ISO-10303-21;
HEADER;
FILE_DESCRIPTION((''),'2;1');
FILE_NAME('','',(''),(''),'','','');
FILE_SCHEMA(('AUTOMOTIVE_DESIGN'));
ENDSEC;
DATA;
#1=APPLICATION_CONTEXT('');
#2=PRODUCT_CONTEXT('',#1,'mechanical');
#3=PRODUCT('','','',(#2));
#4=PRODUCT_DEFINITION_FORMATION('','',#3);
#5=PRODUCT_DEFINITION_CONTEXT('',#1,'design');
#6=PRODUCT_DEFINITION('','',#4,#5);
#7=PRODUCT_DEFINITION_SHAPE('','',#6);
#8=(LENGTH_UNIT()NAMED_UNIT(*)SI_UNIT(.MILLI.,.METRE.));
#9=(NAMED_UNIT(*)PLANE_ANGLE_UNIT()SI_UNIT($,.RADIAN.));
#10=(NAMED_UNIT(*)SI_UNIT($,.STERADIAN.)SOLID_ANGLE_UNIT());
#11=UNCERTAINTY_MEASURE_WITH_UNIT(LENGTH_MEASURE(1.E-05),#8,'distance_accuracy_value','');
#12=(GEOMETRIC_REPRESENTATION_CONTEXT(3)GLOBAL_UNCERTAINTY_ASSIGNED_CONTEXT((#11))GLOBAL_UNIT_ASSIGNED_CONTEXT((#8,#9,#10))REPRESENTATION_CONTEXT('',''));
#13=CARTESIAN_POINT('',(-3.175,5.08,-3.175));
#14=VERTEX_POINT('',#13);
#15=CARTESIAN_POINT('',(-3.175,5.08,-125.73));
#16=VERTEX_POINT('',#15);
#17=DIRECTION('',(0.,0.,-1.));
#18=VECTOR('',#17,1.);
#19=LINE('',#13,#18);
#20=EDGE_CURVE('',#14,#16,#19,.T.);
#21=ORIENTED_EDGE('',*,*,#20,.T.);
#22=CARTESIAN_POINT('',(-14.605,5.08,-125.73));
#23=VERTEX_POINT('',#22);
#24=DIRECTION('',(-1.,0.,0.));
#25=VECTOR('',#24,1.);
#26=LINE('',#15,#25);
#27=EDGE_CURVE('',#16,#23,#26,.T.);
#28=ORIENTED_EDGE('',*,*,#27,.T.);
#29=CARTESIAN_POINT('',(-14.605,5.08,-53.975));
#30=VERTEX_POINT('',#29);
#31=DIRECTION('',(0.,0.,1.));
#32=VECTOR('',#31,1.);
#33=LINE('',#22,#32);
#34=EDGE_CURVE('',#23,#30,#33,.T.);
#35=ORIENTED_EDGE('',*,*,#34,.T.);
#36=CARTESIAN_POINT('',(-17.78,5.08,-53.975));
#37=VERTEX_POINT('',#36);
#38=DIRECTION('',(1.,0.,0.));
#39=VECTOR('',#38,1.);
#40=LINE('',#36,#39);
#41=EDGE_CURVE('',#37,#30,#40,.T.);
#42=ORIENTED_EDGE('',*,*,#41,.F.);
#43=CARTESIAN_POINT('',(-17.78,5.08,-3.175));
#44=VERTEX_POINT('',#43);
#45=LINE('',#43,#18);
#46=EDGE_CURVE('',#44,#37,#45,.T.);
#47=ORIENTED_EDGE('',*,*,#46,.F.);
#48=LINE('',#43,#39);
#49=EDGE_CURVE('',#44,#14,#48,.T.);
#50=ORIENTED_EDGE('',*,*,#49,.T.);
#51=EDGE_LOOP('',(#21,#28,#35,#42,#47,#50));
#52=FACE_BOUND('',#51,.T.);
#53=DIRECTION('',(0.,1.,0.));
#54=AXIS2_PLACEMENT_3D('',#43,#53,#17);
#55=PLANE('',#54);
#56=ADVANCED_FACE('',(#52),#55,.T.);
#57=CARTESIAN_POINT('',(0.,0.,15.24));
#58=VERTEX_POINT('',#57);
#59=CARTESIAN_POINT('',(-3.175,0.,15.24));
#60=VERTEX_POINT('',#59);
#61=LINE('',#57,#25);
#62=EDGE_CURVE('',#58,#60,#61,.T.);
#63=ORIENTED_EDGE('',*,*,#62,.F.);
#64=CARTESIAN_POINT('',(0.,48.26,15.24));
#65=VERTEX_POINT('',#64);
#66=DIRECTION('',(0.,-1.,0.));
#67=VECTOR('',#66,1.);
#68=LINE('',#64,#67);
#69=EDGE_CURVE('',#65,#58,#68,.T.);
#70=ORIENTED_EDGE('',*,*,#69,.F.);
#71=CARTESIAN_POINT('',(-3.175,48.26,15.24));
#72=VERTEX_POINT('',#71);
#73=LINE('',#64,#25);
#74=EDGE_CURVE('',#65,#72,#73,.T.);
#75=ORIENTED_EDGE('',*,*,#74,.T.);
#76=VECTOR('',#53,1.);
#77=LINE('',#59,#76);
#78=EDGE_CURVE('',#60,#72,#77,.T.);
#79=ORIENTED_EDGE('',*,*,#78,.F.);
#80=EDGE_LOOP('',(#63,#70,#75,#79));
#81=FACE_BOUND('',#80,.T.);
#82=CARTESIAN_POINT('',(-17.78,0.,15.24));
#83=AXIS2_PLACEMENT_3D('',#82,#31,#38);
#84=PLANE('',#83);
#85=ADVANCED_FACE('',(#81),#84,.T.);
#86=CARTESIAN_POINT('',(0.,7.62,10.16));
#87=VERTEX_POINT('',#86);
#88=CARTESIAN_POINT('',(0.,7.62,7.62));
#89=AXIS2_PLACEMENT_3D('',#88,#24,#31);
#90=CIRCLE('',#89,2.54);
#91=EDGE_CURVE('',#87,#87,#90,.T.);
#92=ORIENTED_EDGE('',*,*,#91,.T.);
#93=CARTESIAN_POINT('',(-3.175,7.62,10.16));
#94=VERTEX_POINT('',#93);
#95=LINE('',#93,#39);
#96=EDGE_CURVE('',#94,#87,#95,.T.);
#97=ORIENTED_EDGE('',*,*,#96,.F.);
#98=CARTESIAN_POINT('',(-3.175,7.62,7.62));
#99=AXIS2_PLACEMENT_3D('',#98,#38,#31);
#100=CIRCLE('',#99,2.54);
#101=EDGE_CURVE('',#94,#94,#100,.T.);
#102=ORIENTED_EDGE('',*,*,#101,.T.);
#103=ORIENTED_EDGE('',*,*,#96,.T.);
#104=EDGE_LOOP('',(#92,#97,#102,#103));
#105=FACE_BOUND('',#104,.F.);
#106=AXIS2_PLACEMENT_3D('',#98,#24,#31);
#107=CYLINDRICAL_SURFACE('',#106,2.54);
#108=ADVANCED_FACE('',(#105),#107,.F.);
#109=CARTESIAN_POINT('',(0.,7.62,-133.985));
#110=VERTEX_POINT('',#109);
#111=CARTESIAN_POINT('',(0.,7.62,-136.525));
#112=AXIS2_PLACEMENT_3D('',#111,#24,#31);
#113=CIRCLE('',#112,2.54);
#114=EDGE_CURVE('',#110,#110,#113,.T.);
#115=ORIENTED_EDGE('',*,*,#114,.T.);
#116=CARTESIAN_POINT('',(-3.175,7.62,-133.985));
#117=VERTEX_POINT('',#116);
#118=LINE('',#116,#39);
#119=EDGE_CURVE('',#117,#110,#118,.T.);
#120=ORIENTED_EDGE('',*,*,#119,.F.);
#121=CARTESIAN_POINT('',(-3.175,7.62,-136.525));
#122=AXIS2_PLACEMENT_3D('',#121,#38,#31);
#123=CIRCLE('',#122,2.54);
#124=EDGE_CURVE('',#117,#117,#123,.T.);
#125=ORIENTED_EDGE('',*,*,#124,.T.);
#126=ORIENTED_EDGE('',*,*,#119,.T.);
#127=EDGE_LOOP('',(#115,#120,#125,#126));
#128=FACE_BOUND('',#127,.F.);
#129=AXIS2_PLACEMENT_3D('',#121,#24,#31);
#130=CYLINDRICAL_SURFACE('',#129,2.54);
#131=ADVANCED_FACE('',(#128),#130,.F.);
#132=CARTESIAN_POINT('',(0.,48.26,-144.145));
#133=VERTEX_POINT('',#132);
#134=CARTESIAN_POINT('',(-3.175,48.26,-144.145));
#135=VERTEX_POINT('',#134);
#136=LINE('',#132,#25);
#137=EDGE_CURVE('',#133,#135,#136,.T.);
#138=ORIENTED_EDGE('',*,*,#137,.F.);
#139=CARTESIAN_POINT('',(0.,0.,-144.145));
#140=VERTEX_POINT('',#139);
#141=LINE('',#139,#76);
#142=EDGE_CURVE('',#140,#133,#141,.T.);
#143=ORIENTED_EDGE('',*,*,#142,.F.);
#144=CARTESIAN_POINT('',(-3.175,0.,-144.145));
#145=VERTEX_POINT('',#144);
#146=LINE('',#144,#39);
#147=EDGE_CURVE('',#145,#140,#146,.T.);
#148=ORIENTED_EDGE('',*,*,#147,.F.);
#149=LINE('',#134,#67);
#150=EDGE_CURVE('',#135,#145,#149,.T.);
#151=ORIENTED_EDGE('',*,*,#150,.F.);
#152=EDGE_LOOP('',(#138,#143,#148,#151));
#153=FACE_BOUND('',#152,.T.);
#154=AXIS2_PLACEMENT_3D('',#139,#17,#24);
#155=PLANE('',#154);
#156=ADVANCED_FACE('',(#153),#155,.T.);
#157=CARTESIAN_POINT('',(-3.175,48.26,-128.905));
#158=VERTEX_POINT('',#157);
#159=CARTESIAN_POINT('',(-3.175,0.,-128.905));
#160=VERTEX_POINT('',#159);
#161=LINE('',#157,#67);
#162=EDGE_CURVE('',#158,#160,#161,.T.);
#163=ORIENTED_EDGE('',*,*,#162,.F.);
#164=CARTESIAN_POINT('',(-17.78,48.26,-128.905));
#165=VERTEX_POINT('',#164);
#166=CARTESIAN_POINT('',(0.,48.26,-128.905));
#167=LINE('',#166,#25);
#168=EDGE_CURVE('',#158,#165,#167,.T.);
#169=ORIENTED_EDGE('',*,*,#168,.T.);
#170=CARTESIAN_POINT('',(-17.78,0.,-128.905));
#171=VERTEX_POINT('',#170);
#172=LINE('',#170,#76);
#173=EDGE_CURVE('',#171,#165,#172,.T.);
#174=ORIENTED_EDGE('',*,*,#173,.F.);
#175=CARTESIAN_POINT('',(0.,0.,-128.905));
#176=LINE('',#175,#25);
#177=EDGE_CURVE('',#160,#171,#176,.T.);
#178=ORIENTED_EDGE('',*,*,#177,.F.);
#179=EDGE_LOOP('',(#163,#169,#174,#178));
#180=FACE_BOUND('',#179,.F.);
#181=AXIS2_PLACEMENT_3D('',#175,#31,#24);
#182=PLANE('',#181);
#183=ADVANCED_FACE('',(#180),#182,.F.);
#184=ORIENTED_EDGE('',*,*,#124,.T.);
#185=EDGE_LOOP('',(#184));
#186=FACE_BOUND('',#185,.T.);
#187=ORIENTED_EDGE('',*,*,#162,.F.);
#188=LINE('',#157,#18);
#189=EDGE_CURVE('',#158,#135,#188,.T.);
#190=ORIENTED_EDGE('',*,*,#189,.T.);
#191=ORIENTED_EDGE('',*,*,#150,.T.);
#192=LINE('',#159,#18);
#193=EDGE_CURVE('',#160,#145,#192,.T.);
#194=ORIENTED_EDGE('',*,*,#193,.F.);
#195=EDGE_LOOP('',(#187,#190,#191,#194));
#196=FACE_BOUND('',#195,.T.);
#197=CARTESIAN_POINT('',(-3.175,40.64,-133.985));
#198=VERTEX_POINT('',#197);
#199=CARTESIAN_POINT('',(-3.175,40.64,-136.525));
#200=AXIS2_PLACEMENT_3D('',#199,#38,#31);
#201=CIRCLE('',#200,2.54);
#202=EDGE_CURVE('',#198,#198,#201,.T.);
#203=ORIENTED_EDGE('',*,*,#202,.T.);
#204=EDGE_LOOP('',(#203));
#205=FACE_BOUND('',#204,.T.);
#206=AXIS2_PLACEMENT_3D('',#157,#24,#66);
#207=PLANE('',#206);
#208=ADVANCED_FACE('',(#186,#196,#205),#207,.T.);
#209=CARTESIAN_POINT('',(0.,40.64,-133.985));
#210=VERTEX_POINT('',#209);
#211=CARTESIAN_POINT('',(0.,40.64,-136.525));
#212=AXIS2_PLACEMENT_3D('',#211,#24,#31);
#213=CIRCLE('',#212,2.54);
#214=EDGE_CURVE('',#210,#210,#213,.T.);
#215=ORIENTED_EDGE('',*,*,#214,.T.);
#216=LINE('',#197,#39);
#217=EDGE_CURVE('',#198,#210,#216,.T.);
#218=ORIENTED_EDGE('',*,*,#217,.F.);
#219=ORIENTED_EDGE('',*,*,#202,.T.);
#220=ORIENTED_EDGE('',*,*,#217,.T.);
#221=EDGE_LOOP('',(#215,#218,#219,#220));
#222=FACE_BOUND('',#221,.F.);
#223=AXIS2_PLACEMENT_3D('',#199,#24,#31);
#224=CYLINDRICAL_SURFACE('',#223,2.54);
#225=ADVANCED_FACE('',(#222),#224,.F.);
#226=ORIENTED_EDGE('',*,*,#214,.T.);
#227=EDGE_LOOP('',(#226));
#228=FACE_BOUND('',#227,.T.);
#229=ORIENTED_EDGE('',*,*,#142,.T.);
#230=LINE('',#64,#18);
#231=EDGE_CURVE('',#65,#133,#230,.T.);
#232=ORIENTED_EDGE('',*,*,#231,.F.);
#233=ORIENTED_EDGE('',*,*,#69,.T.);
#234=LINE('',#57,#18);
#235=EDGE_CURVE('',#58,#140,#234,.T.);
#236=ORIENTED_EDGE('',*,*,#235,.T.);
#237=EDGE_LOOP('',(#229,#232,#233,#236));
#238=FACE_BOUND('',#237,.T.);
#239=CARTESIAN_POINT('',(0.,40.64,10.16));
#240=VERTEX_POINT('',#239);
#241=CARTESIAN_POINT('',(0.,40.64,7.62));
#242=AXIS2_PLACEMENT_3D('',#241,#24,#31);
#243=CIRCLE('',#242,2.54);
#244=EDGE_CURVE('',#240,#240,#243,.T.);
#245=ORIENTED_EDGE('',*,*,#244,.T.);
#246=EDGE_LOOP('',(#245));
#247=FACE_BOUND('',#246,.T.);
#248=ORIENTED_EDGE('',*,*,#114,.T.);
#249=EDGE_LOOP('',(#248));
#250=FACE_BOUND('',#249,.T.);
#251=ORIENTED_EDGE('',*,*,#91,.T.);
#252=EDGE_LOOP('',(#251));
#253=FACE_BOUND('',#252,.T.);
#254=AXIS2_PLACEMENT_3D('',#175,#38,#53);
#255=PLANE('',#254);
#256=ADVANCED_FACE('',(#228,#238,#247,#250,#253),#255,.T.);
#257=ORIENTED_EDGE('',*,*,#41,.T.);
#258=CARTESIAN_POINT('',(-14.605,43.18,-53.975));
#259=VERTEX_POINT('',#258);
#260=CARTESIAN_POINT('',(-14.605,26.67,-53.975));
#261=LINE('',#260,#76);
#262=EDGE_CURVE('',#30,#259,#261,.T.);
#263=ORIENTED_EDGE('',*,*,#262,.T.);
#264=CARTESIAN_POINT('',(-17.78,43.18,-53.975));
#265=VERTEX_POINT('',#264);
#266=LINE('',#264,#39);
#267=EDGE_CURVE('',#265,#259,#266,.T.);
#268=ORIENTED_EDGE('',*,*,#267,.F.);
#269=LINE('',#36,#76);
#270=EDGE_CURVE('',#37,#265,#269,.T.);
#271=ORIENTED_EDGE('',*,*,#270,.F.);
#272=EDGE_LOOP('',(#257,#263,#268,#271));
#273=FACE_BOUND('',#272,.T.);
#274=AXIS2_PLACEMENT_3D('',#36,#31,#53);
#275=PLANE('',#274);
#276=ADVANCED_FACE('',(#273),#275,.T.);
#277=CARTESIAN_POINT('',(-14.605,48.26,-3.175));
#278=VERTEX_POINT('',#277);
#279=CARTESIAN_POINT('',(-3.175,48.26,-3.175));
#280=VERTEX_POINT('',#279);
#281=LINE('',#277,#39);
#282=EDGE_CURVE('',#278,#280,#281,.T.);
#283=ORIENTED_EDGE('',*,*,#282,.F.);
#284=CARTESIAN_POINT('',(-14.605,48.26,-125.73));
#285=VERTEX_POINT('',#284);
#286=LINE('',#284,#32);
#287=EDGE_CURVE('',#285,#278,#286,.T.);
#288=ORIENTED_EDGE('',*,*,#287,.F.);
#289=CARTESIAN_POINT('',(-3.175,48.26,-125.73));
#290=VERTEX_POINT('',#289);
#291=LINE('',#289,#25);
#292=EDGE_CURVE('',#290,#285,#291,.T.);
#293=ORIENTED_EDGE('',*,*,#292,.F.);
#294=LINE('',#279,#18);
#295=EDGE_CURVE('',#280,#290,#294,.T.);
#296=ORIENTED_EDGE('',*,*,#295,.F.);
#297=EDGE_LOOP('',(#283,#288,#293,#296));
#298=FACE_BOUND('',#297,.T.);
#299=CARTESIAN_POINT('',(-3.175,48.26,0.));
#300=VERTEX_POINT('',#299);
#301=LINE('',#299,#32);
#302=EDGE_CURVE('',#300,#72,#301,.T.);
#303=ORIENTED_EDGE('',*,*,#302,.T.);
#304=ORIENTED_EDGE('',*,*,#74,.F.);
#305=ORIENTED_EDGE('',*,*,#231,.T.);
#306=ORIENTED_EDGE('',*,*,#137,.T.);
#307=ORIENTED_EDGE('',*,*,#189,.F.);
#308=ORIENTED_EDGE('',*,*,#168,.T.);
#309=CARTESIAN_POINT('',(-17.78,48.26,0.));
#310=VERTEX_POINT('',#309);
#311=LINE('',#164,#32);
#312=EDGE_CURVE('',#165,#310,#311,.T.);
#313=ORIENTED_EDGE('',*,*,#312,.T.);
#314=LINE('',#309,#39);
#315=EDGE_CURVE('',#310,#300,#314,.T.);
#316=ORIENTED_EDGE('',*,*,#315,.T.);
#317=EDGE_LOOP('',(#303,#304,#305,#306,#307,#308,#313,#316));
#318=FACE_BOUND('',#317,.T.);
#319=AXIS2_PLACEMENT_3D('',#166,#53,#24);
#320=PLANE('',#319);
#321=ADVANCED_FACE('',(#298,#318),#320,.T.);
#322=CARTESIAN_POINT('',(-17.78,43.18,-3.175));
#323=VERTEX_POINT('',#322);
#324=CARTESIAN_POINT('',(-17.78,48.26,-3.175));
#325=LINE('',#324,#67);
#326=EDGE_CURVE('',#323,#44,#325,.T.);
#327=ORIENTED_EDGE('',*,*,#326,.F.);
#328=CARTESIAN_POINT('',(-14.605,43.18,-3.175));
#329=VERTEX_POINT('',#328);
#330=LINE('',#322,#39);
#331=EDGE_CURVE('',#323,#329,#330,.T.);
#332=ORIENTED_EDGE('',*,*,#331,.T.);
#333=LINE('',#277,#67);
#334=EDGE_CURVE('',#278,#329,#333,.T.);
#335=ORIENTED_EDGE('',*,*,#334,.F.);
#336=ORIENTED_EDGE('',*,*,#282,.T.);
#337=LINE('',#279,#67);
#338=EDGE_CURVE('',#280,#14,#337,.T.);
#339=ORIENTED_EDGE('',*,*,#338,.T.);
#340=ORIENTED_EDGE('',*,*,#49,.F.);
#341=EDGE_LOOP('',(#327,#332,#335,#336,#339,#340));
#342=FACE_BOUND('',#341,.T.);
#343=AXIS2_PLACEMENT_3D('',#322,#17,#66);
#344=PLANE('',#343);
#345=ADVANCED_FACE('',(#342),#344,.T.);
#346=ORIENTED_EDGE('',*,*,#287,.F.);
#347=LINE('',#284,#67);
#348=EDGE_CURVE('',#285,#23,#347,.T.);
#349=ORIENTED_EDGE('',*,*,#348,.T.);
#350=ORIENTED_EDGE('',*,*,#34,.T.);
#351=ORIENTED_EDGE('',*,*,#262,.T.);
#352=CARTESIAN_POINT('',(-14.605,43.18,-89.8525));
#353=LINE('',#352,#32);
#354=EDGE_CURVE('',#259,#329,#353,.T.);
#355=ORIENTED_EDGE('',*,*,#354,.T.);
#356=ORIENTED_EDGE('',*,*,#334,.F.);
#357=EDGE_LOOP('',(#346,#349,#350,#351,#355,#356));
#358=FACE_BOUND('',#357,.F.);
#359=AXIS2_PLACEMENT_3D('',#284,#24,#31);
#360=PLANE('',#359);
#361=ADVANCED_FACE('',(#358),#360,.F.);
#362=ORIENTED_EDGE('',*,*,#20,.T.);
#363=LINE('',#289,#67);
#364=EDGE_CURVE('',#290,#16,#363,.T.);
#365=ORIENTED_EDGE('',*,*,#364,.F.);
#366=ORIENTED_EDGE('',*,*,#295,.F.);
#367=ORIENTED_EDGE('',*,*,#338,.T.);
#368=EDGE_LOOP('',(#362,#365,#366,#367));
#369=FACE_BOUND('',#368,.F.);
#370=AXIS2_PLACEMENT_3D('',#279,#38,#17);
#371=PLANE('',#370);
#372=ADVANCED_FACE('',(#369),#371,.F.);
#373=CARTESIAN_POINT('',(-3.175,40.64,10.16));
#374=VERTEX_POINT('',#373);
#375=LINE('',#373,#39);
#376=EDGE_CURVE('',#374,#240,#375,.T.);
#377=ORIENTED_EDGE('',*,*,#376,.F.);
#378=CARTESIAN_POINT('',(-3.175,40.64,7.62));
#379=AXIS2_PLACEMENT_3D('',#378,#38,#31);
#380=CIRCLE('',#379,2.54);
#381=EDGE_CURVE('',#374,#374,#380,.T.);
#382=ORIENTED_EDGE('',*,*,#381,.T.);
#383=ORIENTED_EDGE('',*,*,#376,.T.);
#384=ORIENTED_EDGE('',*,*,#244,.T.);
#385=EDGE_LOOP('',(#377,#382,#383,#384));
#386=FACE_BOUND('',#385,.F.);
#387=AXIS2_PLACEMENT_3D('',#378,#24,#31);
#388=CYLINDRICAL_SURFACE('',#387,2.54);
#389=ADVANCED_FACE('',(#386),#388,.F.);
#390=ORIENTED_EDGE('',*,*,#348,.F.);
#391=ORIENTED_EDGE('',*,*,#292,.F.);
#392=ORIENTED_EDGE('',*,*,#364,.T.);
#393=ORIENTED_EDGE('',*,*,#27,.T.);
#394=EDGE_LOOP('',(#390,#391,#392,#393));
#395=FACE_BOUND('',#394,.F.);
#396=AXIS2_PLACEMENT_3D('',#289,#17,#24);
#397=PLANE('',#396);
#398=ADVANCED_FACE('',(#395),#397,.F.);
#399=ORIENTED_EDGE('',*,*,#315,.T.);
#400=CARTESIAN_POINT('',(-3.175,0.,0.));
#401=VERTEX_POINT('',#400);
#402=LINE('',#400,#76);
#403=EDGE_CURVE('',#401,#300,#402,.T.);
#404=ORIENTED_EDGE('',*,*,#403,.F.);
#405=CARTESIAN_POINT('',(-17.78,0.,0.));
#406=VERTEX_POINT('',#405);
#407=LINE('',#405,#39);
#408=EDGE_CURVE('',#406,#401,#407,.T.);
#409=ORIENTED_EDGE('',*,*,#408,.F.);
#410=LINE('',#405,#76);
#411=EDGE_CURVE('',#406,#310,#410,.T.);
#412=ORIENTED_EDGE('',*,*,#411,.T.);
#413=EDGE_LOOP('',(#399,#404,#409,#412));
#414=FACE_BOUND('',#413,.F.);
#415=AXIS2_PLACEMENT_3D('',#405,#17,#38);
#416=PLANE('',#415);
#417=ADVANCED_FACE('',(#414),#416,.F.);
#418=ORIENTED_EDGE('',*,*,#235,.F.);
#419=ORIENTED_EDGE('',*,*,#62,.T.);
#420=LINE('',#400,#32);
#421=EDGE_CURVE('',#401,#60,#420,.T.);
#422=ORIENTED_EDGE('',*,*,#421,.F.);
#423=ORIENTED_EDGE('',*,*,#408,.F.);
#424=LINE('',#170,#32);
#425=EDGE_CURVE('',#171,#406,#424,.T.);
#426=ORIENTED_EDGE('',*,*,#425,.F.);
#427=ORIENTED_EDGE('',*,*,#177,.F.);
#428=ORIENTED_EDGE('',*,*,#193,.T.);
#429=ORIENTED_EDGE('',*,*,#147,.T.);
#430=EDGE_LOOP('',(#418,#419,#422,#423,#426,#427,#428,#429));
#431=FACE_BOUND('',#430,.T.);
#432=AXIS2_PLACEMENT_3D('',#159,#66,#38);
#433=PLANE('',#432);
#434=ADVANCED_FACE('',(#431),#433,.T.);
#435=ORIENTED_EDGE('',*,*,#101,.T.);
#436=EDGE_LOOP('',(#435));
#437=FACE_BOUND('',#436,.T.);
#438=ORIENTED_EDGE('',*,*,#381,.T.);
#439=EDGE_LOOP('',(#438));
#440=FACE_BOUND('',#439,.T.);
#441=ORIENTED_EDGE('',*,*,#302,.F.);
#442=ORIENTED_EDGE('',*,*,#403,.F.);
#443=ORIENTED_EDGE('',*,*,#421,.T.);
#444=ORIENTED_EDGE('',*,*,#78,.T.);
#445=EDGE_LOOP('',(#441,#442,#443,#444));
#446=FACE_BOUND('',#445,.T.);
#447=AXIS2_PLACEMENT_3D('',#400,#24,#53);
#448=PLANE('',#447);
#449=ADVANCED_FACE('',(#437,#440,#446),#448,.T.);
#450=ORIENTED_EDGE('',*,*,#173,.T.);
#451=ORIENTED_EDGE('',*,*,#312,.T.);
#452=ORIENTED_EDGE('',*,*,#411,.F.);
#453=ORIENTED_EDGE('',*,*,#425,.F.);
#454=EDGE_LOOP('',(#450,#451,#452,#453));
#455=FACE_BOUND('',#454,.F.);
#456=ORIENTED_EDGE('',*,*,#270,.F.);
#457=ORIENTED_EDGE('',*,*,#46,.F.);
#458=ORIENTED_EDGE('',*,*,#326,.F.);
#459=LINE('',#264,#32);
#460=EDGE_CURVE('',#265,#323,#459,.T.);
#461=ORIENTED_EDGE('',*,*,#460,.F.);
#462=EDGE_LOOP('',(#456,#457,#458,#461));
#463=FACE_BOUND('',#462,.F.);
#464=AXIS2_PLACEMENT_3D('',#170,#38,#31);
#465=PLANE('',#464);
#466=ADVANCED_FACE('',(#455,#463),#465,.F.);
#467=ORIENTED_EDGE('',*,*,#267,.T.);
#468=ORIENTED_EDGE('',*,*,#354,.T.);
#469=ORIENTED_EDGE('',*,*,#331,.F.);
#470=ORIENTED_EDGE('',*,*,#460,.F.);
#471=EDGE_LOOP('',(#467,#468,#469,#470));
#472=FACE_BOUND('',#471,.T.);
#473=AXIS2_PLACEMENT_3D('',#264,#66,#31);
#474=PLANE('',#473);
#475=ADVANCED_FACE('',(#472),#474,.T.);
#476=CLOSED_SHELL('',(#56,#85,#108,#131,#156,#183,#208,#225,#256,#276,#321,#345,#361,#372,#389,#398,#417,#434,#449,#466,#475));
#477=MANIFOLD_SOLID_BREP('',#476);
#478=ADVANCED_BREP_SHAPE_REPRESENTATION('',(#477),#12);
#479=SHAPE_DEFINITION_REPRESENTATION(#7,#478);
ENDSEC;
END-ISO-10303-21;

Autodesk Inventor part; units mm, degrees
ref_plane "YZ Plane" through (0, 0, 0) normal (1, 0, 0) x (0, 1, 0)
ref_plane "XZ Plane" through (0, 0, 0) normal (0, 1, 0) x (-1, 0, 0)
ref_plane "XY Plane" through (0, 0, 0) normal (0, 0, 1) x (1, 0, 0)
sketch "Sketch1" plane through (0, 0, 0) normal (0, 1, 0) x (-1, 0, 0)
  line L0 (0, 0) -> (0, -128.905)
  line L1 (0, -128.905) -> (17.78, -128.905)
  line L2 (17.78, -128.905) -> (17.78, 0)
  line L3 (17.78, 0) -> (0, 0)
  dimension "d0" = 128.905
  dimension "d1" = 17.78
extrude "Extrusion1" add sketch "Sketch1" along normal blind 48.26
sketch "Sketch2" plane through (0, 48.26, 0) normal (0, 1, 0) x (1, 0, 0)
  line L0 (0, 0) -> (0, 3.175)
  line L1 (0, 0) -> (0, 128.905) projected
  line L2 (0, 3.175) -> (-3.175, 3.175)
  line L3 (-3.175, 3.175) -> (-3.175, 125.73)
  line L4 (-3.175, 125.73) -> (-14.605, 125.73)
  line L5 (-14.605, 125.73) -> (-14.605, 3.175)
  line L6 (-14.605, 3.175) -> (-3.175, 3.175)
  dimension "d4" = 3.175
  dimension "d5" = 3.175
  dimension "d6" = 122.555
  dimension "d7" = 11.43
extrude "Extrusion2" cut sketch "Sketch2" against normal blind 43.18
sketch "Sketch3" plane through (-17.78, 0, -128.905) normal (-1, 0, 0) x (0, 0, 1)
  line L0 (128.905, 0) -> (125.73, 0)
  line L1 (128.905, 0) -> (0, 0) projected
  line L2 (125.73, 0) -> (125.73, 5.08)
  line L3 (125.73, 5.08) -> (74.93, 5.08)
  line L4 (3.175, 5.08) -> (125.73, 5.08) projected
  line L5 (74.93, 5.08) -> (74.93, 43.18)
  line L6 (0, 48.26) -> (128.905, 48.26) projected
  line L7 (74.93, 43.18) -> (125.73, 43.18)
  line L8 (125.73, 48.26) -> (125.73, 5.08) projected
  dimension "d10" = 3.175
  dimension "d11" = 5.08
  dimension "d12" = 50.8
  dimension "d13" = 38.1
extrude "Extrusion3" cut sketch "Sketch3" against normal blind 5.08
sketch "Sketch4" plane through (-17.78, 0, 0) normal (0, 0, 1) x (1, 0, 0)
  line L0 (17.78, 0) -> (14.605, 0)
  line L1 (0, 0) -> (17.78, 0) projected
  line L2 (14.605, 0) -> (14.605, 48.26)
  line L3 (17.78, 48.26) -> (0, 48.26) projected
  line L4 (17.78, 48.26) -> (17.78, 0)
  line L5 (17.78, 0) -> (17.78, 48.26) projected
  dimension "d16" = 3.175
extrude "Extrusion4" add sketch "Sketch4" along normal blind 15.24
sketch "Sketch5" plane through (-3.175, 0, 0) normal (-1, 0, 0) x (0, 0, 1)
  line L0 (15.24, 48.26) -> (7.62, 48.26)
  line L1 (0, 48.26) -> (15.24, 48.26) projected
  line L2 (7.62, 48.26) -> (7.62, 40.64)
  circle A0 centre (7.62, 40.64) radius 2.54
  line L3 (15.24, 0) -> (7.62, 0)
  line L4 (0, 0) -> (15.24, 0) projected
  line L5 (7.62, 0) -> (7.62, 7.62)
  circle A1 centre (7.62, 7.62) radius 2.54
  dimension "d19" = 7.62
  dimension "d20" = 7.62
  dimension "d21" = 5.08
  dimension "d22" = 7.62
  dimension "d23" = 7.62
  dimension "d24" = 5.08
extrude "Extrusion5" cut sketch "Sketch5" against normal blind 15.24
sketch "Sketch6" plane through (0, 0, -128.905) normal (0, 0, -1) x (-1, 0, 0)
  line L0 (0, 48.26) -> (3.175, 48.26)
  line L1 (3.175, 48.26) -> (3.175, 0)
  line L2 (3.175, 48.26) -> (3.175, 0) projected
  line L3 (3.175, 0) -> (0, 0)
  line L4 (0, 0) -> (0, 48.26)
  line L5 (0, 0) -> (0, 48.26) projected
  dimension "d27" = 3.175
extrude "Extrusion6" add sketch "Sketch6" along normal blind 15.24
sketch "Sketch7" plane through (-3.175, 0, -128.905) normal (-1, 0, 0) x (0, 0, 1)
  line L0 (-15.24, 48.26) -> (-15.24, 40.64)
  line L1 (-15.24, 48.26) -> (-15.24, 0) projected
  line L2 (-15.24, 40.64) -> (-7.62, 40.64)
  line L3 (-15.24, 0) -> (-7.62, 0)
  line L4 (0, 0) -> (-15.24, 0) projected
  line L5 (-7.62, 0) -> (-7.62, 7.62)
  circle A0 centre (-7.62, 7.62) radius 2.54
  circle A1 centre (-7.62, 40.64) radius 2.54
  point P0 (128.905, 0)
  dimension "d30" = 7.62
  dimension "d31" = 7.62
  dimension "d32" = 7.62
  dimension "d33" = 7.62
  dimension "d34" = 5.08
  dimension "d35" = 5.08
extrude "Extrusion7" cut sketch "Sketch7" against normal blind 15.24
properties part number "Autonomous - Phone Case V2"
